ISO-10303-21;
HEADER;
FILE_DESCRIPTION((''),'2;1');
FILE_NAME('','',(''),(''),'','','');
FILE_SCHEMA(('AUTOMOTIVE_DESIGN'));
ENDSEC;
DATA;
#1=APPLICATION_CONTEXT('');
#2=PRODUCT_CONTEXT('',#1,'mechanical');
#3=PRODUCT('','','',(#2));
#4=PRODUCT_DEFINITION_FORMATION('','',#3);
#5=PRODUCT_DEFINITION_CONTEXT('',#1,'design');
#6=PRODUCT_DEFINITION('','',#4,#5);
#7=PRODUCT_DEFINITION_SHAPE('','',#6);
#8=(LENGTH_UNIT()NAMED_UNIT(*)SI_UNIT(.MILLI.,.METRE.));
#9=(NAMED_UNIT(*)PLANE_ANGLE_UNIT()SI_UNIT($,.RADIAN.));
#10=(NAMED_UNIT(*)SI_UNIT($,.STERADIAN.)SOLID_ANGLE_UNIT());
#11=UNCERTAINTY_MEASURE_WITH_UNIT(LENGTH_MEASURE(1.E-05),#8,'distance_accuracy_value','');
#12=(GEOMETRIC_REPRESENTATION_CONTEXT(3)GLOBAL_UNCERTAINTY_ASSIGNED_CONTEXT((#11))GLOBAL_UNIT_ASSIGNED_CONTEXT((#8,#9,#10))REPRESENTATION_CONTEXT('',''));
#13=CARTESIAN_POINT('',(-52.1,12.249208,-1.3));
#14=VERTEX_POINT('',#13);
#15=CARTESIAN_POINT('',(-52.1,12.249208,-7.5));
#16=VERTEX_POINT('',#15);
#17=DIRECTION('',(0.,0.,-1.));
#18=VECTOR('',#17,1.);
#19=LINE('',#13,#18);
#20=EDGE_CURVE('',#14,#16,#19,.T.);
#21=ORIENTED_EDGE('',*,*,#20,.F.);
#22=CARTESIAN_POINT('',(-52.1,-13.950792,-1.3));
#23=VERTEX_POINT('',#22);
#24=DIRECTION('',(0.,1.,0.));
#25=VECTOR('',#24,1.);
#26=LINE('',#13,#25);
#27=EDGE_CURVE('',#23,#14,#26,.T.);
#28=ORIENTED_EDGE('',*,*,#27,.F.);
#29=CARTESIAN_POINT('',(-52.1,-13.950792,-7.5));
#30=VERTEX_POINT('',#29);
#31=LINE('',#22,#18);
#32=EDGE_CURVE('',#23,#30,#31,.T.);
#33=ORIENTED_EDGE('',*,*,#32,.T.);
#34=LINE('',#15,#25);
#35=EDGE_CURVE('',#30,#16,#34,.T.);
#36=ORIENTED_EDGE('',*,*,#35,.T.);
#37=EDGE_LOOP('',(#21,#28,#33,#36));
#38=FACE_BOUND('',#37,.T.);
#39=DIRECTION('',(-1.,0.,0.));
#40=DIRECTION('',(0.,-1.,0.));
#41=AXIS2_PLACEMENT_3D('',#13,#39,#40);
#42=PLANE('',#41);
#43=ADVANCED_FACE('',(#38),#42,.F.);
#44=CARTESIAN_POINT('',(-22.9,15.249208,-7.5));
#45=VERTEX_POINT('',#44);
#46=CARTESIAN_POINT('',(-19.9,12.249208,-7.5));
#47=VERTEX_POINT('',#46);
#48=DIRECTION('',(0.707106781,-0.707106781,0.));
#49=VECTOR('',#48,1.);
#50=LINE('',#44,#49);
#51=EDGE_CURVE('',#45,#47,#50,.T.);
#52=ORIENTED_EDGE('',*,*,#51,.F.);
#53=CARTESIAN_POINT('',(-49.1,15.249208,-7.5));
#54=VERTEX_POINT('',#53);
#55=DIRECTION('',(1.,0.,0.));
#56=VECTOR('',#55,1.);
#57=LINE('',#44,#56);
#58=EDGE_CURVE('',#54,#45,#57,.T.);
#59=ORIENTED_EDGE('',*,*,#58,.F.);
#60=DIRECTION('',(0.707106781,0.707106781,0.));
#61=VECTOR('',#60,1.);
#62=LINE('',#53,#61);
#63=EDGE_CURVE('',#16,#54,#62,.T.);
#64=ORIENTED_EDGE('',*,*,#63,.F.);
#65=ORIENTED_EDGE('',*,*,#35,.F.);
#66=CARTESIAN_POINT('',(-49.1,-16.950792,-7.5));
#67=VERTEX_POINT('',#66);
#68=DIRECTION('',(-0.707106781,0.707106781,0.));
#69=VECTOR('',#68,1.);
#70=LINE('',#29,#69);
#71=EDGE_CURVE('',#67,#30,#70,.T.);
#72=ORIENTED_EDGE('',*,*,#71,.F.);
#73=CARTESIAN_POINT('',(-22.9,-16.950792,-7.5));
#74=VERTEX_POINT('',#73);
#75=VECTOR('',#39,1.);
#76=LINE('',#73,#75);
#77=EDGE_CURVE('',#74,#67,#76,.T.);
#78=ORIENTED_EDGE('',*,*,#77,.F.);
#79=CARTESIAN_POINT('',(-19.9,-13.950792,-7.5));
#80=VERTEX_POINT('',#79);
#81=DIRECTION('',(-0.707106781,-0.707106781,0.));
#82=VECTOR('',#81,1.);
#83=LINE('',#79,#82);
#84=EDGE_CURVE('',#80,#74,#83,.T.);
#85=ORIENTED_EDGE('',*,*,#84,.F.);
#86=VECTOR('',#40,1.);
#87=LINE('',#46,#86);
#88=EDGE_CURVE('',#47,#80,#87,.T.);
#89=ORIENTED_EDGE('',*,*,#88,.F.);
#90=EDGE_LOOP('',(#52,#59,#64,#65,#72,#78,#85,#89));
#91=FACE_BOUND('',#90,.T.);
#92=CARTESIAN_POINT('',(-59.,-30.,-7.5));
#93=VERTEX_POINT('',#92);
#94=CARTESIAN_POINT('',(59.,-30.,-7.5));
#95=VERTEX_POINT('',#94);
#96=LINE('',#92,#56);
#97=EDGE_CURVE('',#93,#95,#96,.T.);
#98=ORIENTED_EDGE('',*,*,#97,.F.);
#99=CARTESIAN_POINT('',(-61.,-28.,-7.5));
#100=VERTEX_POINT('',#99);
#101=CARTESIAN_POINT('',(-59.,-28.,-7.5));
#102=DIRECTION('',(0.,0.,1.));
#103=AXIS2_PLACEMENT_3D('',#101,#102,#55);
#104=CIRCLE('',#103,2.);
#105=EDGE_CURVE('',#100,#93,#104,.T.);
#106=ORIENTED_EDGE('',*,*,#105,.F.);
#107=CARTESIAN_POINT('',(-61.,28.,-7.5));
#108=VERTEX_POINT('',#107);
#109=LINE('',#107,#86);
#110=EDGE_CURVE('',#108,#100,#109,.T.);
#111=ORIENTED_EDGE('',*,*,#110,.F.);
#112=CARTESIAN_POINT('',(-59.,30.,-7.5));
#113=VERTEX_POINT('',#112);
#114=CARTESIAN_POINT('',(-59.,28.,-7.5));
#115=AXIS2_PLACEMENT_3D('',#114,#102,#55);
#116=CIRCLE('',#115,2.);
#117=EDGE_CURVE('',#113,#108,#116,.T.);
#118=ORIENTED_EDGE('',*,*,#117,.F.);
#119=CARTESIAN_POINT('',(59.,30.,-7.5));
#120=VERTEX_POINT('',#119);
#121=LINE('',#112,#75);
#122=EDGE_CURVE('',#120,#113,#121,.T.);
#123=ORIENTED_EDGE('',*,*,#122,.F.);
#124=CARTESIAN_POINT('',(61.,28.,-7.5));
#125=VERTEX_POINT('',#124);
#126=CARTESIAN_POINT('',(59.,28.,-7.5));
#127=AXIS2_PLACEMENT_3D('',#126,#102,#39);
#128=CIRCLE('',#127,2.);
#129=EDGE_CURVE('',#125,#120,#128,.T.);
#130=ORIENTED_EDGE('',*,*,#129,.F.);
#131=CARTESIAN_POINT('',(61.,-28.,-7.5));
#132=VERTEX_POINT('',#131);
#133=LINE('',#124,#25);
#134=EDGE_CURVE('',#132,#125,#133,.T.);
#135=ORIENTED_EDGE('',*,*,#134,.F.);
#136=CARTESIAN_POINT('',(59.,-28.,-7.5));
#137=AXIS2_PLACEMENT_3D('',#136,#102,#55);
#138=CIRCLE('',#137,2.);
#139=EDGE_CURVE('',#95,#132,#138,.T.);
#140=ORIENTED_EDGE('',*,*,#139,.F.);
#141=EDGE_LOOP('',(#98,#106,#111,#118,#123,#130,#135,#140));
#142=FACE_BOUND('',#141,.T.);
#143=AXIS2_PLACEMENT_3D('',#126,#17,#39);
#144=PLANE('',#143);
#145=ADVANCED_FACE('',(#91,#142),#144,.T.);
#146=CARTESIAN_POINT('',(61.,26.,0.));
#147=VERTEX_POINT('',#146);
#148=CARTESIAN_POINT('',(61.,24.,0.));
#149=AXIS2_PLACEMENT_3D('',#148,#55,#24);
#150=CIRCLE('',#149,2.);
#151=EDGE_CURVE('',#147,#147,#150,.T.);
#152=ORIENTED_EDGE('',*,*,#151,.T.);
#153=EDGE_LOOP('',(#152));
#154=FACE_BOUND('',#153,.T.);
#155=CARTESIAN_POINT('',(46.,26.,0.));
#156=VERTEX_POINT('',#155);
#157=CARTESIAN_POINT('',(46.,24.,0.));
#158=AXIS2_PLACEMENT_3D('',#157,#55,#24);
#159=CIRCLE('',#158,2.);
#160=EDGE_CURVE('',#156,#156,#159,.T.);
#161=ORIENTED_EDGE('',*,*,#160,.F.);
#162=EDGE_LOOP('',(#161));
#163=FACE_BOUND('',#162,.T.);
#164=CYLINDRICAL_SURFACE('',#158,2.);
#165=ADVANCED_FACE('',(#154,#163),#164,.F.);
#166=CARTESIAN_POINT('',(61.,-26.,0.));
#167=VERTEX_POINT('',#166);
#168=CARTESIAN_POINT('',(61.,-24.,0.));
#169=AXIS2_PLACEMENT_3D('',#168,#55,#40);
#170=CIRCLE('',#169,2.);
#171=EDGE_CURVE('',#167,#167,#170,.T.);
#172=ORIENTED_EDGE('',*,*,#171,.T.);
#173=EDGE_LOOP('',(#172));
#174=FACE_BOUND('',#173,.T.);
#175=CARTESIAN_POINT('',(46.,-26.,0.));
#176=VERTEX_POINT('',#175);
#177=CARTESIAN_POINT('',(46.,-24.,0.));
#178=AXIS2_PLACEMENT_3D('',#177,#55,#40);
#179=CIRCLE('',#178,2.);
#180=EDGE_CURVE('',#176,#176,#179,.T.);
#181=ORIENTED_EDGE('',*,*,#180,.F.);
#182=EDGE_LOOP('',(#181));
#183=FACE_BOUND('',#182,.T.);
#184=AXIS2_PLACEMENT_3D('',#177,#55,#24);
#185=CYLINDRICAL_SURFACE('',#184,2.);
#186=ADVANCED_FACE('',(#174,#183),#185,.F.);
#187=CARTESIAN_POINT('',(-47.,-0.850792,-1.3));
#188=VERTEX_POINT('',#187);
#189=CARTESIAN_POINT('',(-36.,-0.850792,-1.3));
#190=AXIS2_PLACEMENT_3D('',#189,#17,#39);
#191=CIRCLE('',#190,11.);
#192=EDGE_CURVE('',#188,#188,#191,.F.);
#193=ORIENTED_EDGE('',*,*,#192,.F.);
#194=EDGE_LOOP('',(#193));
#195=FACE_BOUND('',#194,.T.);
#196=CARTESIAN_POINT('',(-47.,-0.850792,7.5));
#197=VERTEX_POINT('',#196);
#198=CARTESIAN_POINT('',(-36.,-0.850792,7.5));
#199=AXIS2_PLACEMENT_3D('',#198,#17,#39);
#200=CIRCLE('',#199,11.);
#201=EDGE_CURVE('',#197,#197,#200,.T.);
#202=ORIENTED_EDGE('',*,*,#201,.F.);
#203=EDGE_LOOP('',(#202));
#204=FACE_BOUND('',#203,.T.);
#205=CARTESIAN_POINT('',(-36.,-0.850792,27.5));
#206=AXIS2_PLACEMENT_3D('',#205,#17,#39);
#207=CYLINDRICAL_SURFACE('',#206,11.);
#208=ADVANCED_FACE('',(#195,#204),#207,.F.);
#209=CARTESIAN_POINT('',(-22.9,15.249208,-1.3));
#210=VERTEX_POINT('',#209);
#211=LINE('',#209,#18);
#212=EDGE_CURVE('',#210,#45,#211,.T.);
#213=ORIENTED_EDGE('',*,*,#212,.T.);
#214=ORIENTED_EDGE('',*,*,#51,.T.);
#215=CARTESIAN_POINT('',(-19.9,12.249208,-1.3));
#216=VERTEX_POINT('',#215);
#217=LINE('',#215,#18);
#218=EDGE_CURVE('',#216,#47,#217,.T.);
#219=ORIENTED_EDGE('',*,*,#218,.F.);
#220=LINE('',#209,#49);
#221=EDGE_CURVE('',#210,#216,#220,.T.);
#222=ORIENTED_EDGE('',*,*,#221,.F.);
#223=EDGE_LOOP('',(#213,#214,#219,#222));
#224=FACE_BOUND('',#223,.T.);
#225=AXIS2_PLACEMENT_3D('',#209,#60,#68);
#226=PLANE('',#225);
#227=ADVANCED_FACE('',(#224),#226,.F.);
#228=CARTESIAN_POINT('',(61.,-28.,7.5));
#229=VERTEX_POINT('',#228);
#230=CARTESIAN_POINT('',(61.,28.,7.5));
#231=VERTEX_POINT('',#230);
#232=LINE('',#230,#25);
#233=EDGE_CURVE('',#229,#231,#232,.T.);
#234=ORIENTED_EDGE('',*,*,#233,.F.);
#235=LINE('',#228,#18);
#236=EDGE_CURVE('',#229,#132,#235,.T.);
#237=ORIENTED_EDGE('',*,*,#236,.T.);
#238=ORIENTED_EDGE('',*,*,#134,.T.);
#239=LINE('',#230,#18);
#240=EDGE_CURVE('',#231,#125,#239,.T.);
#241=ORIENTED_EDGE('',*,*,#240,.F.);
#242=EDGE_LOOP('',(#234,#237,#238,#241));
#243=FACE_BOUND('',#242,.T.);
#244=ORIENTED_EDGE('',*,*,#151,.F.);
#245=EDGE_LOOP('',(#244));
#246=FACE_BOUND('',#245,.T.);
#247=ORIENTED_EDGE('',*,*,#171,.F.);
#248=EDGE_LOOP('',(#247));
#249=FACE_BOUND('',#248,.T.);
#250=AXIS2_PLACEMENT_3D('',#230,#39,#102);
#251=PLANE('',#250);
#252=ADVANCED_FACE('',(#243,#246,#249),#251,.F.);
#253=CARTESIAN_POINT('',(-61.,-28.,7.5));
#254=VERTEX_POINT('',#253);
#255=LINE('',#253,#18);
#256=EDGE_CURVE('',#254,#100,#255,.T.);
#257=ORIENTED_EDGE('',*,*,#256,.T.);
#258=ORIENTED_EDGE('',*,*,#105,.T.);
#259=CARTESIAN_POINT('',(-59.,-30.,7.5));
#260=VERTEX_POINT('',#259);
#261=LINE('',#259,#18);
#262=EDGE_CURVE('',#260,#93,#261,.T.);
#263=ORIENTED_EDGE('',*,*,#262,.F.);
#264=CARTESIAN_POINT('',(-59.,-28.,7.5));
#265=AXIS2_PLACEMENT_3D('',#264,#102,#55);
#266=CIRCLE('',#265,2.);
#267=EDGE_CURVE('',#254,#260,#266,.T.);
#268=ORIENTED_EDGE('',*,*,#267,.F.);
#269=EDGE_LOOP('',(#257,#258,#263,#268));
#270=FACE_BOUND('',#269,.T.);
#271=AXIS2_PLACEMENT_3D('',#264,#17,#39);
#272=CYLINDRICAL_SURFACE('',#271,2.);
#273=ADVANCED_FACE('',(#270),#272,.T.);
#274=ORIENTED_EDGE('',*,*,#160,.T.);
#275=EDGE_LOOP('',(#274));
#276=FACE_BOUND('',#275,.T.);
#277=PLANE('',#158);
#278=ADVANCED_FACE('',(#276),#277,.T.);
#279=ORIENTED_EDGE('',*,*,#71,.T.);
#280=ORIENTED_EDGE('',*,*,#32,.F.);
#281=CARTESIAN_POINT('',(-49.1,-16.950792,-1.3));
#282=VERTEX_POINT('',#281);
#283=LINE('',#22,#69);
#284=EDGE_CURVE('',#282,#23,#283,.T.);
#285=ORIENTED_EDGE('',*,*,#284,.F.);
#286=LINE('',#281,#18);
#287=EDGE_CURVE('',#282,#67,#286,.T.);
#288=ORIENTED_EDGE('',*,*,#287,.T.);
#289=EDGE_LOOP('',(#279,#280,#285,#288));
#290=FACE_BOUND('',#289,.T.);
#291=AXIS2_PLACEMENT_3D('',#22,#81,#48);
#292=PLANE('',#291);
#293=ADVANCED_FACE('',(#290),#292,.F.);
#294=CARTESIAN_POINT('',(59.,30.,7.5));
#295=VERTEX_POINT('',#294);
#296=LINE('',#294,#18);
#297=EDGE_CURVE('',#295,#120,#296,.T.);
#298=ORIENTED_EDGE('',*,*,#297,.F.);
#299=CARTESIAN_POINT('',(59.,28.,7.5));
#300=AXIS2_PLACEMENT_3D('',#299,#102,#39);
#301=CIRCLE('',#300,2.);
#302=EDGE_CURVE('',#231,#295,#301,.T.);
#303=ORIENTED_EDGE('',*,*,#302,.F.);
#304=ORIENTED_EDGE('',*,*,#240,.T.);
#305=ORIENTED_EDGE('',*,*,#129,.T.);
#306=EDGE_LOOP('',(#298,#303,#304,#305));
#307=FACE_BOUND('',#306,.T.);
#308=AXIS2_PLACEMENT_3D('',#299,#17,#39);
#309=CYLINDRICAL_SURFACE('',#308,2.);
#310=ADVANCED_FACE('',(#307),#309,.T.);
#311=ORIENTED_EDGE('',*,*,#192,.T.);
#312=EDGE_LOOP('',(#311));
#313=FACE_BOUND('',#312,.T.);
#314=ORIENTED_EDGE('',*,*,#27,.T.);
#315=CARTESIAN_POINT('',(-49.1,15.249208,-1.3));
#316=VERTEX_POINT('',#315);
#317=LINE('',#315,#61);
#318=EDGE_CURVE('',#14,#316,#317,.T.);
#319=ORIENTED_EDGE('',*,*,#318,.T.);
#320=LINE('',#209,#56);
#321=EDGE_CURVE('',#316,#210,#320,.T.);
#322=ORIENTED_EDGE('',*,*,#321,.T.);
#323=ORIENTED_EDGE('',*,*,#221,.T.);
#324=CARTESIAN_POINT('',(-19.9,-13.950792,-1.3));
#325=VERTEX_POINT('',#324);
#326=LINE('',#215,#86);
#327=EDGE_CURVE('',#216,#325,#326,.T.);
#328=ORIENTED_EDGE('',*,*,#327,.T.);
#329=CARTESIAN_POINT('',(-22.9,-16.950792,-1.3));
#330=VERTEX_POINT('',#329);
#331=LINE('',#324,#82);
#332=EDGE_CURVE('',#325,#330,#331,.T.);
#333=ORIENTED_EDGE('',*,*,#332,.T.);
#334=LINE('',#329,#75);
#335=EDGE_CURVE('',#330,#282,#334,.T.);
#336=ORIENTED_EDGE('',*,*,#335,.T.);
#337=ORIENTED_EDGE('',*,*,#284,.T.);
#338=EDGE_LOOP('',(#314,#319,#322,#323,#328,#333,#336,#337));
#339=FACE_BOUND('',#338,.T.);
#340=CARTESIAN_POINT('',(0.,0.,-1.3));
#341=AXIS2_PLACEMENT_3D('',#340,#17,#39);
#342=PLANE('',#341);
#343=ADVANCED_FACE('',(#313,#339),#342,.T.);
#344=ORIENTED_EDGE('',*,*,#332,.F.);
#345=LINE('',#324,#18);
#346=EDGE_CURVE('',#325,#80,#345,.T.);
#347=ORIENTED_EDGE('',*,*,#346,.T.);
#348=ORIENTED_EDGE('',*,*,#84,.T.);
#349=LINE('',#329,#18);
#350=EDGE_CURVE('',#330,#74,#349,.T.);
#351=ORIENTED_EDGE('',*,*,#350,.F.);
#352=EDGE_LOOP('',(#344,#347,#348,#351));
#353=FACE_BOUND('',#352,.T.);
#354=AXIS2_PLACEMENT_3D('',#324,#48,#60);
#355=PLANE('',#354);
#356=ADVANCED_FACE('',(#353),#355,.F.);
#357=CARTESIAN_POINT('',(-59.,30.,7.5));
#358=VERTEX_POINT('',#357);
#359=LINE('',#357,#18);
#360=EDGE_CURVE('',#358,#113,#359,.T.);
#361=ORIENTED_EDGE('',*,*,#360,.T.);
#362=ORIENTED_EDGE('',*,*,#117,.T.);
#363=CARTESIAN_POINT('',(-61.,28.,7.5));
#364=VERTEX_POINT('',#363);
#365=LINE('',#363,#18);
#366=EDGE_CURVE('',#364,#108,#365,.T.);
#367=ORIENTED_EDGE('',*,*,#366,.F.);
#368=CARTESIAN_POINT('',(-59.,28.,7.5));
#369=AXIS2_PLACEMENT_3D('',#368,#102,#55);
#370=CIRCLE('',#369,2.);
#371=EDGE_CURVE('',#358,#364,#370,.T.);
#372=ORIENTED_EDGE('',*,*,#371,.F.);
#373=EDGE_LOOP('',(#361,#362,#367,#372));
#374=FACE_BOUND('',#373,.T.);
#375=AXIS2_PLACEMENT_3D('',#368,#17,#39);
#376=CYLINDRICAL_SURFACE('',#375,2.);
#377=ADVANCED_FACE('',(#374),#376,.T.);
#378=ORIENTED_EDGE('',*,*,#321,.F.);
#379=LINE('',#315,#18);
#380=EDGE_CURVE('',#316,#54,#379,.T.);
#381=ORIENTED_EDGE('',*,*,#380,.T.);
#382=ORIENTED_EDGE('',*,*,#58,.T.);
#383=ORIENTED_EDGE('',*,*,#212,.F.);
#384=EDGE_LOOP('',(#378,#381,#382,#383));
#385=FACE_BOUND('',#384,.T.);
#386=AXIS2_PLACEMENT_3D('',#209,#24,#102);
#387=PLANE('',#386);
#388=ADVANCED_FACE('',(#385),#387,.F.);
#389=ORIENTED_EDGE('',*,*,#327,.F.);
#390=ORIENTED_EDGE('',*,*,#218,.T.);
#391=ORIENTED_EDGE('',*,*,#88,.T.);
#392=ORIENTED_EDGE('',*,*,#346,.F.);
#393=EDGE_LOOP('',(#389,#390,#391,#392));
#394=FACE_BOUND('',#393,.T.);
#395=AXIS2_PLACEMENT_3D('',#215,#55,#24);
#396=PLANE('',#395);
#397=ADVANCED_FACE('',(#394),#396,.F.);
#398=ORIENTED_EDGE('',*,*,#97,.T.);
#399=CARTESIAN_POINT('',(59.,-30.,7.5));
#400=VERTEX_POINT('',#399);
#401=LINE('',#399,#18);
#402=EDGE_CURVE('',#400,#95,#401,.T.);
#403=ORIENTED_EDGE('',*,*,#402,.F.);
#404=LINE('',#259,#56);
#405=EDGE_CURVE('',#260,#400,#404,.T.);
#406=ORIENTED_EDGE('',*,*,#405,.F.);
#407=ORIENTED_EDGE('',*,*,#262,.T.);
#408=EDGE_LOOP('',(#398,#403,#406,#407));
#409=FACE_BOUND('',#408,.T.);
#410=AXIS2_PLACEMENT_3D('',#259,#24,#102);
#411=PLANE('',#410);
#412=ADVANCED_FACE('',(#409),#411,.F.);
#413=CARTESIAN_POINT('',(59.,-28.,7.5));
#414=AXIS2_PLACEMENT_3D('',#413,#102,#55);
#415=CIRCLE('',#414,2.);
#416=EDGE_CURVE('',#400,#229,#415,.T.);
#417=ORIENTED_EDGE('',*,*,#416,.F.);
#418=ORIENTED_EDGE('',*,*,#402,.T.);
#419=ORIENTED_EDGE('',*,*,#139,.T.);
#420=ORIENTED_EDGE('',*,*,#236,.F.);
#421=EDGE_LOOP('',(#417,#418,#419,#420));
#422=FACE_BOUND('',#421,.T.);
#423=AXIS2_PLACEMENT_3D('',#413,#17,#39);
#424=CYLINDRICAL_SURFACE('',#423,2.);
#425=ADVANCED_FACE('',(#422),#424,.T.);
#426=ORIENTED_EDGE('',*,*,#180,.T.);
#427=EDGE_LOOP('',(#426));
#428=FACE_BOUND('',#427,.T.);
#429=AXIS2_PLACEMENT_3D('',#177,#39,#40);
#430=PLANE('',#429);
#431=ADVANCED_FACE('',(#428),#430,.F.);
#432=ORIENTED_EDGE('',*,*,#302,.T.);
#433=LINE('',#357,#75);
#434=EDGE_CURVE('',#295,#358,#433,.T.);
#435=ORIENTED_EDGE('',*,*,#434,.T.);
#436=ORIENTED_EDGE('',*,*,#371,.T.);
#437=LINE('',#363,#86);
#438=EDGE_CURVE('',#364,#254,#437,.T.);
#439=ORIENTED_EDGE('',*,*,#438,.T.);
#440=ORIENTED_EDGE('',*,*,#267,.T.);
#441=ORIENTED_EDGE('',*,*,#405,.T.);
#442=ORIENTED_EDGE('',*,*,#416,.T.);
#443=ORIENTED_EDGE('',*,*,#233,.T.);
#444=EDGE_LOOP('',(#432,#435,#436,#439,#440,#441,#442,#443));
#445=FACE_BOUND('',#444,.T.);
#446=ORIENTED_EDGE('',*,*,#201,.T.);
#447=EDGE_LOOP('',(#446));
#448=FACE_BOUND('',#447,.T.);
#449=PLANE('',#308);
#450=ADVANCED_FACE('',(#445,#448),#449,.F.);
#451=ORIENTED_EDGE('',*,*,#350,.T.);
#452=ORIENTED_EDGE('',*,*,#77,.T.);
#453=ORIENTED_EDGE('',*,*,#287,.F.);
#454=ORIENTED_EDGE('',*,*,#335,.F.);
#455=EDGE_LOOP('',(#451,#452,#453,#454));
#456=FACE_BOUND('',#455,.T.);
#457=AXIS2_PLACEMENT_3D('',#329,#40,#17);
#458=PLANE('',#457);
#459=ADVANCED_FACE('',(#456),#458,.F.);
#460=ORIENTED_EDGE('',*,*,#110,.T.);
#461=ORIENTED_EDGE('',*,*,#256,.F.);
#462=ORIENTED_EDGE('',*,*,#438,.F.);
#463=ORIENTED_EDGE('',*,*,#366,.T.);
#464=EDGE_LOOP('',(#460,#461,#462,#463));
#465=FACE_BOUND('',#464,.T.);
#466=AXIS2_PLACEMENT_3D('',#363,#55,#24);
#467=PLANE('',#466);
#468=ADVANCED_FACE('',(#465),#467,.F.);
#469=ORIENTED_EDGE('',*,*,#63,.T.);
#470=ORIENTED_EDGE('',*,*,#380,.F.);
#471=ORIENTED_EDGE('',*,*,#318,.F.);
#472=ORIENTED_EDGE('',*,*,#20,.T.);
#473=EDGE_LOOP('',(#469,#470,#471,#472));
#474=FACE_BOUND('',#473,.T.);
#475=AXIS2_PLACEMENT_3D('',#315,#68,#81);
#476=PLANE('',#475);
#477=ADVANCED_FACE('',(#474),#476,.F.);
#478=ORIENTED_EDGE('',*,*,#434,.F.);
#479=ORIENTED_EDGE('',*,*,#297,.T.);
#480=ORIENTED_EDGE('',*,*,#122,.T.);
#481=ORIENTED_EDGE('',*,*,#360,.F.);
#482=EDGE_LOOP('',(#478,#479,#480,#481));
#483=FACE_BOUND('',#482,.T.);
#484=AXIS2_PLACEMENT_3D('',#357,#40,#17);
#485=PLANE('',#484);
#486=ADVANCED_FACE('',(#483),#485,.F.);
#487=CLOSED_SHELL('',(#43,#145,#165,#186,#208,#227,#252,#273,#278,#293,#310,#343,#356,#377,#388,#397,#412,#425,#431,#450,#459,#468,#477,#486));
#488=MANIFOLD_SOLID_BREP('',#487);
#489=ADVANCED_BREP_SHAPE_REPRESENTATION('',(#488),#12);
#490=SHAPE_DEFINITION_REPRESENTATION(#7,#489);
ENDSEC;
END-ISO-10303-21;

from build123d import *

# Parameters (mm, degrees)
BOSS_EXTRUDE1_DEPTH = 7.5
SKETCH2_R           = 2
CUT_EXTRUDE1_DEPTH  = 15
SKETCH3_R           = 11
CUT_EXTRUDE3_DEPTH  = 35
CUT_EXTRUDE5_DEPTH  = 6.2


with BuildPart() as part:
    # Sketch1 → Boss-Extrude1 (new, symmetric)
    with BuildSketch(Plane.XY):
        with BuildLine():
            Line((-59, 30), (59, 30))
            ThreePointArc((59, 30), (60.414213562, 29.414213562), (61, 28))
            Line((61, 28), (61, -28))
            ThreePointArc((61, -28), (60.414213562, -29.414213562), (59, -30))
            Line((59, -30), (-59, -30))
            ThreePointArc((-59, -30), (-60.414213562, -29.414213562), (-61, -28))
            Line((-61, -28), (-61, 28))
            ThreePointArc((-61, 28), (-60.414213562, 29.414213562), (-59, 30))
        make_face()
    extrude(amount=BOSS_EXTRUDE1_DEPTH, both=True)

    # Sketch2 → Cut-Extrude1 (cut)
    with BuildSketch(Plane(origin=(61, 0, 0), x_dir=(0, 0, -1), z_dir=(1, 0, 0))):
        with Locations(Location((0, 24, 0), (0, 0, 90))):
            Circle(SKETCH2_R)
        with Locations(Location((0, -24, 0), (0, 0, 270))):
            Circle(SKETCH2_R)
    extrude(amount=-CUT_EXTRUDE1_DEPTH, mode=Mode.SUBTRACT)

    # Sketch3 → Cut-Extrude3 (cut)
    with BuildSketch(Plane(origin=(0, 0, -7.5), x_dir=(-1, 0, 0), z_dir=(0, 0, -1))):
        with Locations((36, -0.850791996)):
            Circle(SKETCH3_R)
    extrude(amount=-CUT_EXTRUDE3_DEPTH, mode=Mode.SUBTRACT)

    # Sketch6 → Cut-Extrude5 (cut)
    with BuildSketch(Plane(origin=(0, 0, -7.5), x_dir=(-1, 0, 0), z_dir=(0, 0, -1))):
        Polygon((49.1, 15.249208004), (52.1, 12.249208004), (52.1, -13.950791996), (49.1, -16.950791996), (22.9, -16.950791996), (19.9, -13.950791996), (19.9, 12.249208004), (22.9, 15.249208004), align=None)
    extrude(amount=-CUT_EXTRUDE5_DEPTH, mode=Mode.SUBTRACT)


solid = part.part
